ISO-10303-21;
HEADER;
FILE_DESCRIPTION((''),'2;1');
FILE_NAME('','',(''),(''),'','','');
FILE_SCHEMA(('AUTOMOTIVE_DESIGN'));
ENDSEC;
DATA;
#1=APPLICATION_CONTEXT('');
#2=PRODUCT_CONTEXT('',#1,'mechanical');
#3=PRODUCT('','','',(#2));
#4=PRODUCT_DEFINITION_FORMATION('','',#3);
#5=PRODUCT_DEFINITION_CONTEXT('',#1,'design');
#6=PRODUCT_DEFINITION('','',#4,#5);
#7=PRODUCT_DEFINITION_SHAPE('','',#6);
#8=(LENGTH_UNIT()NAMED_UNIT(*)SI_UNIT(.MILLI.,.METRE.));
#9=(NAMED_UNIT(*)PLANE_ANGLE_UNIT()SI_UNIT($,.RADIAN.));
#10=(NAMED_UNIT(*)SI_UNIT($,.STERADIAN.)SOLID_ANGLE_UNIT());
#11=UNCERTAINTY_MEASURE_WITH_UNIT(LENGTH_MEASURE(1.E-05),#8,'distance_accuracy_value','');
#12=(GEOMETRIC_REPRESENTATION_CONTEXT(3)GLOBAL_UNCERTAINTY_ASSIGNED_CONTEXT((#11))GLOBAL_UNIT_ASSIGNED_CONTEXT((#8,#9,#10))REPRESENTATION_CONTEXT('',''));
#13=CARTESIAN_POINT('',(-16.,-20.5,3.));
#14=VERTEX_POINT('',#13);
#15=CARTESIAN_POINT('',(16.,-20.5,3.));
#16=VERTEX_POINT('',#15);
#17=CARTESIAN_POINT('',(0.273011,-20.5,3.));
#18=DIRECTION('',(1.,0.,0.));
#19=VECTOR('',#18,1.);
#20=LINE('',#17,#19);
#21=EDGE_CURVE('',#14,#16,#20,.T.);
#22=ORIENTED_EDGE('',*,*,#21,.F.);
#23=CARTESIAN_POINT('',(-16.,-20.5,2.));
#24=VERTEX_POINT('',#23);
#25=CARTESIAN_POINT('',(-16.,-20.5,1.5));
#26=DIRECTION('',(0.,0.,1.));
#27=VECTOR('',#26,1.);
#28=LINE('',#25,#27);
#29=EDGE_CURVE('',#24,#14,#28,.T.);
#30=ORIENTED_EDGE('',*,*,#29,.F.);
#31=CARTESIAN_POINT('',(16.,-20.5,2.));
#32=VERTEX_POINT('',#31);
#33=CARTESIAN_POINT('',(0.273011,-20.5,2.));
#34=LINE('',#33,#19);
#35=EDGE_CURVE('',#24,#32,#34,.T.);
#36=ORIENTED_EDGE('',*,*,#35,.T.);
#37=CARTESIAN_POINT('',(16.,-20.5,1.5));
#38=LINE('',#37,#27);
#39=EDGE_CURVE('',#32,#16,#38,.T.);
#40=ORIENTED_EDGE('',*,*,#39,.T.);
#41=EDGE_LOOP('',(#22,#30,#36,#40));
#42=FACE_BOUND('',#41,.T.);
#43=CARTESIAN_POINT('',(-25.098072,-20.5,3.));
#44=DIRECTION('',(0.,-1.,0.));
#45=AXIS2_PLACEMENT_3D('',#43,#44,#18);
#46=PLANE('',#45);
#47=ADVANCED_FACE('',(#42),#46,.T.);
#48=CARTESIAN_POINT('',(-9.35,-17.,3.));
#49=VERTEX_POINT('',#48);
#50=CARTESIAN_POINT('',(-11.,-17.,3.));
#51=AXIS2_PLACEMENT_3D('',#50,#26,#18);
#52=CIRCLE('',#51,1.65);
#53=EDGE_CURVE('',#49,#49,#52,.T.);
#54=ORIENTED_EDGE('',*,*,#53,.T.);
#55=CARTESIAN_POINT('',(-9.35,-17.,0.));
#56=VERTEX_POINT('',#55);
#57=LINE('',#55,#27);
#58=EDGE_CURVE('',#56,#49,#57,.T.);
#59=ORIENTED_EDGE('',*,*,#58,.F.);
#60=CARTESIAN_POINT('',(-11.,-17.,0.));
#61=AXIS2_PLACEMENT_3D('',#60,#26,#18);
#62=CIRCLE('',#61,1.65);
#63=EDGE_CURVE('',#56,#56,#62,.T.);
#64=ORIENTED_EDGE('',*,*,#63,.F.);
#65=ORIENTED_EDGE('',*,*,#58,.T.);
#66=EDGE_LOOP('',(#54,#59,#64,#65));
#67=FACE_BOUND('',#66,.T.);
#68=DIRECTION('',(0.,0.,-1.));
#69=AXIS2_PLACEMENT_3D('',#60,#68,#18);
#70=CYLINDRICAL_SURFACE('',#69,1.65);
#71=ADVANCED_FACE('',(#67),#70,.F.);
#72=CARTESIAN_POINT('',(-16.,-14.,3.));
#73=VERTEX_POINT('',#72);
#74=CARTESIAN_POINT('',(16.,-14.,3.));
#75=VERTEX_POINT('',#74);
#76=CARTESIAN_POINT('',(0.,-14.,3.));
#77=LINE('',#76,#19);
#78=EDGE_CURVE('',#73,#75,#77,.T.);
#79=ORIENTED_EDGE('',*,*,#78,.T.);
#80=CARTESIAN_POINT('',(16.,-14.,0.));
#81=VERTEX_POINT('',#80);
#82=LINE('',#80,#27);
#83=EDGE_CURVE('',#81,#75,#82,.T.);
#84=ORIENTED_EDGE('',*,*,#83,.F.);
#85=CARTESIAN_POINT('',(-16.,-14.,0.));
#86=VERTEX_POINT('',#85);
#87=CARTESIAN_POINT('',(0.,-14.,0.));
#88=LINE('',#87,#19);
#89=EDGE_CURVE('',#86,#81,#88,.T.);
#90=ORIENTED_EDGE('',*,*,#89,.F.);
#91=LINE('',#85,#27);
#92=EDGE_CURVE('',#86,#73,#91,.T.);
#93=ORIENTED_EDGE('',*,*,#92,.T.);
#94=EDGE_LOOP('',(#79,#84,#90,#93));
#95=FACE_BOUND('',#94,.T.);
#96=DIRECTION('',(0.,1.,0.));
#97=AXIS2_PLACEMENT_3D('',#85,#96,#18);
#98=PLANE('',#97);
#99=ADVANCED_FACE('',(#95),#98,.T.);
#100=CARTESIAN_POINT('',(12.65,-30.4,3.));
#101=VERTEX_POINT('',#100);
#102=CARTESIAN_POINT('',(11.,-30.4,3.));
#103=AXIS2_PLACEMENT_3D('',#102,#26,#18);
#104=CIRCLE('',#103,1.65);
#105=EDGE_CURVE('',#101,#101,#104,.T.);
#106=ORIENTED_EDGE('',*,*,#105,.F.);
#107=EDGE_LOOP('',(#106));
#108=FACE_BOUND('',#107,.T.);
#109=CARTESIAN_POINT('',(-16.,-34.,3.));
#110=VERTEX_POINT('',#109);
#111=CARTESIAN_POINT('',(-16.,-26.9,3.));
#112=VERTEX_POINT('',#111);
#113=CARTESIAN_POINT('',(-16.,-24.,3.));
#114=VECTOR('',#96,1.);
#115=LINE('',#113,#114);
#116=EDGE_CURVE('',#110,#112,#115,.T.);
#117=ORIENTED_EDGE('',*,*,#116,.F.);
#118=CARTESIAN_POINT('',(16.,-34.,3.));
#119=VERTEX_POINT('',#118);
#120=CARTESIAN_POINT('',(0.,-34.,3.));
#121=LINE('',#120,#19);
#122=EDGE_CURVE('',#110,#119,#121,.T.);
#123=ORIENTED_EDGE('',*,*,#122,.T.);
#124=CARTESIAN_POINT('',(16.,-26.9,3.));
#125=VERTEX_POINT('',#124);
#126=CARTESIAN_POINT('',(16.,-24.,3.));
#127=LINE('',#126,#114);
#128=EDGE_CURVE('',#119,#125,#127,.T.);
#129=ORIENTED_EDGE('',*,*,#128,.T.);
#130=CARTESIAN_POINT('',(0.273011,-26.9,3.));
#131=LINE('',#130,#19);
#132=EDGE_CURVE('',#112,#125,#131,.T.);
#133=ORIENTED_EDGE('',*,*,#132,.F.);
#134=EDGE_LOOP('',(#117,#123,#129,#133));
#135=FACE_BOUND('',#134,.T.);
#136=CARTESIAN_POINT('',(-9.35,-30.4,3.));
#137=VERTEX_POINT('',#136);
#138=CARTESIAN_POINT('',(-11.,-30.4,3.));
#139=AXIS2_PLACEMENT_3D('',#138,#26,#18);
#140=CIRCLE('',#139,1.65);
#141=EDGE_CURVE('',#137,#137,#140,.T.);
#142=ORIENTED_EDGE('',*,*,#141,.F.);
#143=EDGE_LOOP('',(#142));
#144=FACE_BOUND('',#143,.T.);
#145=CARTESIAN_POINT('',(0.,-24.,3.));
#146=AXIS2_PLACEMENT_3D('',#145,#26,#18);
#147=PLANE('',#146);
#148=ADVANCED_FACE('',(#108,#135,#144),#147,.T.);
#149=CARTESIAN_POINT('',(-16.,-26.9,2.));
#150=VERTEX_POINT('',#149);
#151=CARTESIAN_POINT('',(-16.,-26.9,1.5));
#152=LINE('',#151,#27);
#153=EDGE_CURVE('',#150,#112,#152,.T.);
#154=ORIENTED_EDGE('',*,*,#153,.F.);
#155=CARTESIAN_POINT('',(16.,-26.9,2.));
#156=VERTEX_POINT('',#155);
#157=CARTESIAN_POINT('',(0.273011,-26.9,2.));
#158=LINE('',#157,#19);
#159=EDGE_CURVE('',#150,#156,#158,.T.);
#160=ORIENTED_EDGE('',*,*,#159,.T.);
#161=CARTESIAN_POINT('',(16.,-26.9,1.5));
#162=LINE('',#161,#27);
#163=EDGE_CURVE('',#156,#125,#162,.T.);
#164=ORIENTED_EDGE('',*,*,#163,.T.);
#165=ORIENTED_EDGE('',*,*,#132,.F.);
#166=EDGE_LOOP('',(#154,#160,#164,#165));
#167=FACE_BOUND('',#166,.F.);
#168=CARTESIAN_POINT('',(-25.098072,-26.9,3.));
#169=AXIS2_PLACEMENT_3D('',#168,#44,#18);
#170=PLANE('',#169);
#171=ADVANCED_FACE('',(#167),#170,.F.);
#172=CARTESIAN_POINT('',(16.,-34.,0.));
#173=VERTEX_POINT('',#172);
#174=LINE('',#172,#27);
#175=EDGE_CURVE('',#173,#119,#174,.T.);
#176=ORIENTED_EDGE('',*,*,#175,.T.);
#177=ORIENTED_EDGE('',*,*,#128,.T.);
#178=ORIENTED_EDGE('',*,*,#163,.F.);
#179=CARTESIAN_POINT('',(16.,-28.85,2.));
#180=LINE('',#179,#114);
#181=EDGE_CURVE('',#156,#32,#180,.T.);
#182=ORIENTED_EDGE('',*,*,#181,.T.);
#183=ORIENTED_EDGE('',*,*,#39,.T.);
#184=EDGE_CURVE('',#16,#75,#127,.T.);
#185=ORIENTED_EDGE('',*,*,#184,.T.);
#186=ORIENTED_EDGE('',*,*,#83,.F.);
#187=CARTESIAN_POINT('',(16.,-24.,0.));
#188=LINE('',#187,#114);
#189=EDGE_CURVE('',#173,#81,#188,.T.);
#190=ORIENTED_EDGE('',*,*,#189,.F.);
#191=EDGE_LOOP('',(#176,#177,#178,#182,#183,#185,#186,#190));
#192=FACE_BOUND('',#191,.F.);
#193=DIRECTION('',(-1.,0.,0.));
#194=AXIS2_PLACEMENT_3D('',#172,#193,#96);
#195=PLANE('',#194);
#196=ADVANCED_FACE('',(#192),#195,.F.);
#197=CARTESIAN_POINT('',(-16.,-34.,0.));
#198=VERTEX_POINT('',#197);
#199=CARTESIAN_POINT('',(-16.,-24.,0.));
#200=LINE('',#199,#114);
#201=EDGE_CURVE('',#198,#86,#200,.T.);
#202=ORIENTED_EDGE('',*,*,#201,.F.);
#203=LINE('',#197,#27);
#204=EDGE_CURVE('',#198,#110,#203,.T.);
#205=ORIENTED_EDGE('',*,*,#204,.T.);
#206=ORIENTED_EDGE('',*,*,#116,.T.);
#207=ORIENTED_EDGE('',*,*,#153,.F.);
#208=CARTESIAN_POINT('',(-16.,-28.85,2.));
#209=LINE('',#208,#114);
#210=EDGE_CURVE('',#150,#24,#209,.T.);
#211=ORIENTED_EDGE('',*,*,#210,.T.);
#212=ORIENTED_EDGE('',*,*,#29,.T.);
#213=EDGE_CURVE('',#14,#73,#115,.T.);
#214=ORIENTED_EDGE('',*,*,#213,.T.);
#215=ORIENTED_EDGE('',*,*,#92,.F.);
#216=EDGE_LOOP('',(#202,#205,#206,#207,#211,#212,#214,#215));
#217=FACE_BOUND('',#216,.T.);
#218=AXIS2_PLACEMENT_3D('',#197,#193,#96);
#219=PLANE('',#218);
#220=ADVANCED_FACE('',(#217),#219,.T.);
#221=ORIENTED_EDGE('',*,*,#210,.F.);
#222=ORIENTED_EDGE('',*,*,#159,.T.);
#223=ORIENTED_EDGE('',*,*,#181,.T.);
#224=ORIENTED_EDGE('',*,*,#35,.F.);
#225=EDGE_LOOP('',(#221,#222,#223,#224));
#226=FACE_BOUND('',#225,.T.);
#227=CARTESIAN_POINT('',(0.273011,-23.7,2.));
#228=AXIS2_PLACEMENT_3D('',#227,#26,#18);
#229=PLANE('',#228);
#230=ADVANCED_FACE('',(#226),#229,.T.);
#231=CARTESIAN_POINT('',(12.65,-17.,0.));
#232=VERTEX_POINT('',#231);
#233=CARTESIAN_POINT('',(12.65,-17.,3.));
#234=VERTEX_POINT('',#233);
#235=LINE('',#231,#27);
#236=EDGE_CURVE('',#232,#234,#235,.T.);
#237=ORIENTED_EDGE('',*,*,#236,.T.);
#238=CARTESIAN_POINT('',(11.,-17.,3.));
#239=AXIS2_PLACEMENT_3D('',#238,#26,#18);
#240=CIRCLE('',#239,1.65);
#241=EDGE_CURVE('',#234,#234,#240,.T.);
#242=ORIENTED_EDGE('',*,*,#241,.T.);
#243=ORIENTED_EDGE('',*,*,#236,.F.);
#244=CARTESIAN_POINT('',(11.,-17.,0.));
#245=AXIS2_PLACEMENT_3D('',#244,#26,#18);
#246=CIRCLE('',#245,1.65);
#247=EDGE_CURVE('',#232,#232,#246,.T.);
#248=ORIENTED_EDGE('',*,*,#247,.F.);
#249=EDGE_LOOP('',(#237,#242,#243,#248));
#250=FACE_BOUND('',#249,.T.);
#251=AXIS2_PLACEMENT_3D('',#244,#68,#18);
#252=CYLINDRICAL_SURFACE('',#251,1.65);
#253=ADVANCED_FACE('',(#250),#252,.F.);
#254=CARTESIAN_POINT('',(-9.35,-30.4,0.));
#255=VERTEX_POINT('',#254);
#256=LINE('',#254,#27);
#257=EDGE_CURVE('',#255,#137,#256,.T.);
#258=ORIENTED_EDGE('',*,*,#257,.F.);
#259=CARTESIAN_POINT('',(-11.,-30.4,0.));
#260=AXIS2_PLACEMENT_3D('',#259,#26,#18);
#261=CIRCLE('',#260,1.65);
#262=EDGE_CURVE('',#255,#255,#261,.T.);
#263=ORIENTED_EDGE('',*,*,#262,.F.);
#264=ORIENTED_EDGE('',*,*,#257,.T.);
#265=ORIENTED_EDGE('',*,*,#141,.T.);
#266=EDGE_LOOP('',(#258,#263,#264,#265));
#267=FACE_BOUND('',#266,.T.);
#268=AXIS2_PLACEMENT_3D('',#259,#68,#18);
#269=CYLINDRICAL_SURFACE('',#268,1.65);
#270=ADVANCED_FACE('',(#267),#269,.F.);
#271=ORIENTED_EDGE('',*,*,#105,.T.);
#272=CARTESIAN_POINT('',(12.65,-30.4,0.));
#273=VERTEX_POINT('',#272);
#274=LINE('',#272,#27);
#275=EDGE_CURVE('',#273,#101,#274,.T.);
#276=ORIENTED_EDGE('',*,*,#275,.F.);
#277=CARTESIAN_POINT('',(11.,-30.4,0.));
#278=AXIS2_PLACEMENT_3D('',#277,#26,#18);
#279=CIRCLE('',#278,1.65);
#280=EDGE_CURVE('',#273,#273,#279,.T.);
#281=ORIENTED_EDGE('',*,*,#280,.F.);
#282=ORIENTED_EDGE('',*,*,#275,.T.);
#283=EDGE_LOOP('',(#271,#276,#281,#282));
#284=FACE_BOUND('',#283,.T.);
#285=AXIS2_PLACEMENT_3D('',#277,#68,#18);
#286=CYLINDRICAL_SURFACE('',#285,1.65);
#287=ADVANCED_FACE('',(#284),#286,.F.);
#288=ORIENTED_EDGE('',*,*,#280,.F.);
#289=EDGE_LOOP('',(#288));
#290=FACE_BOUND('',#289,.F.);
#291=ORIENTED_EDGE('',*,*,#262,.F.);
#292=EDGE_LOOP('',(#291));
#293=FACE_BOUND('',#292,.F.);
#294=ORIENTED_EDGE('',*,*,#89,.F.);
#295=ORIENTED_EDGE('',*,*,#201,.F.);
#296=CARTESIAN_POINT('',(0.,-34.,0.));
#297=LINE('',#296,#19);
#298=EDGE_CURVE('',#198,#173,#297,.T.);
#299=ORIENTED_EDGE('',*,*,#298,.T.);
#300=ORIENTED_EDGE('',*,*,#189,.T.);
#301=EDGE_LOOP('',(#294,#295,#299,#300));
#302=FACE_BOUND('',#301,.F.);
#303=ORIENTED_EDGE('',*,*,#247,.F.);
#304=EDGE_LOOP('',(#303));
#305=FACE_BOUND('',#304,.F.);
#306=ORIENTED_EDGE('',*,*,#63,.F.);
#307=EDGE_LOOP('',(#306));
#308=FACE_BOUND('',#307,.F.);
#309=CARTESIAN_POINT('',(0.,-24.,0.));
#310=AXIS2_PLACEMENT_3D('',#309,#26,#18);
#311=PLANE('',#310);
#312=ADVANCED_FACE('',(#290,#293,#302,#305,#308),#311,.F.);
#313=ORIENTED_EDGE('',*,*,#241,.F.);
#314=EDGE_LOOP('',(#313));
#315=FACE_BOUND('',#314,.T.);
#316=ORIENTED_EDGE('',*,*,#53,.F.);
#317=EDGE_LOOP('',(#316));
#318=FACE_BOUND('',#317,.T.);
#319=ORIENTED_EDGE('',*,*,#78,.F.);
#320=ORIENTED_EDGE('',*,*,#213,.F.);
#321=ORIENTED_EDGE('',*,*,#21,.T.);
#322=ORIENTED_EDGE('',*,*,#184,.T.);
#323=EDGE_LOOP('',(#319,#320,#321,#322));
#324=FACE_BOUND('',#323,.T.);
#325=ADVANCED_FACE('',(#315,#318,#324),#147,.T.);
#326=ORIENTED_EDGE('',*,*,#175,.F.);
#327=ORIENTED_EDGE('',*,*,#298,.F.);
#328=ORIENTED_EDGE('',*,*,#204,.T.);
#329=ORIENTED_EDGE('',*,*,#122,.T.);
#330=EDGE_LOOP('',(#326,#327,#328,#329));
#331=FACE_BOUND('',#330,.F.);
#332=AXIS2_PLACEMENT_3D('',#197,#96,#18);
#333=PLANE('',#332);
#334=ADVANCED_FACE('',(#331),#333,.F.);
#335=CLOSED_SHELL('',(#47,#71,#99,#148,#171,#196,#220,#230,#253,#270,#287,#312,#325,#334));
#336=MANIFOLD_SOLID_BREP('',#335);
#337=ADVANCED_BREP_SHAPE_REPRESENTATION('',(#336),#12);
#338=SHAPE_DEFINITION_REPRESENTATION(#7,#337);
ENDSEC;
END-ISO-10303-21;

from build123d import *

# Parameters (mm, degrees)
SKETCH_W     = 32
SKETCH_H     = 20
SKETCH_R     = 1.65
PAD_DEPTH    = 3
SKETCH001_W  = 50.742166
SKETCH001_H  = 6.4
POCKET_DEPTH = 1


with BuildPart() as part:
    # Sketch → Pad (new body)
    with BuildSketch(Plane.XY):
        with Locations((0, -24)):
            Rectangle(SKETCH_W, SKETCH_H)
        with Locations((-11, -17)):
            Circle(SKETCH_R, mode=Mode.SUBTRACT)
        with Locations((11, -17)):
            Circle(SKETCH_R, mode=Mode.SUBTRACT)
        with Locations((-11, -30.4)):
            Circle(SKETCH_R, mode=Mode.SUBTRACT)
        with Locations((11, -30.4)):
            Circle(SKETCH_R, mode=Mode.SUBTRACT)
    extrude(amount=PAD_DEPTH)

    # Sketch001 (on Face10 of Pad) → Pocket (cut)
    with BuildSketch(Plane.XY.offset(3)):
        with Locations((0.273011, -23.7)):
            Rectangle(SKETCH001_W, SKETCH001_H)
    extrude(amount=-POCKET_DEPTH, mode=Mode.SUBTRACT)


solid = part.part
